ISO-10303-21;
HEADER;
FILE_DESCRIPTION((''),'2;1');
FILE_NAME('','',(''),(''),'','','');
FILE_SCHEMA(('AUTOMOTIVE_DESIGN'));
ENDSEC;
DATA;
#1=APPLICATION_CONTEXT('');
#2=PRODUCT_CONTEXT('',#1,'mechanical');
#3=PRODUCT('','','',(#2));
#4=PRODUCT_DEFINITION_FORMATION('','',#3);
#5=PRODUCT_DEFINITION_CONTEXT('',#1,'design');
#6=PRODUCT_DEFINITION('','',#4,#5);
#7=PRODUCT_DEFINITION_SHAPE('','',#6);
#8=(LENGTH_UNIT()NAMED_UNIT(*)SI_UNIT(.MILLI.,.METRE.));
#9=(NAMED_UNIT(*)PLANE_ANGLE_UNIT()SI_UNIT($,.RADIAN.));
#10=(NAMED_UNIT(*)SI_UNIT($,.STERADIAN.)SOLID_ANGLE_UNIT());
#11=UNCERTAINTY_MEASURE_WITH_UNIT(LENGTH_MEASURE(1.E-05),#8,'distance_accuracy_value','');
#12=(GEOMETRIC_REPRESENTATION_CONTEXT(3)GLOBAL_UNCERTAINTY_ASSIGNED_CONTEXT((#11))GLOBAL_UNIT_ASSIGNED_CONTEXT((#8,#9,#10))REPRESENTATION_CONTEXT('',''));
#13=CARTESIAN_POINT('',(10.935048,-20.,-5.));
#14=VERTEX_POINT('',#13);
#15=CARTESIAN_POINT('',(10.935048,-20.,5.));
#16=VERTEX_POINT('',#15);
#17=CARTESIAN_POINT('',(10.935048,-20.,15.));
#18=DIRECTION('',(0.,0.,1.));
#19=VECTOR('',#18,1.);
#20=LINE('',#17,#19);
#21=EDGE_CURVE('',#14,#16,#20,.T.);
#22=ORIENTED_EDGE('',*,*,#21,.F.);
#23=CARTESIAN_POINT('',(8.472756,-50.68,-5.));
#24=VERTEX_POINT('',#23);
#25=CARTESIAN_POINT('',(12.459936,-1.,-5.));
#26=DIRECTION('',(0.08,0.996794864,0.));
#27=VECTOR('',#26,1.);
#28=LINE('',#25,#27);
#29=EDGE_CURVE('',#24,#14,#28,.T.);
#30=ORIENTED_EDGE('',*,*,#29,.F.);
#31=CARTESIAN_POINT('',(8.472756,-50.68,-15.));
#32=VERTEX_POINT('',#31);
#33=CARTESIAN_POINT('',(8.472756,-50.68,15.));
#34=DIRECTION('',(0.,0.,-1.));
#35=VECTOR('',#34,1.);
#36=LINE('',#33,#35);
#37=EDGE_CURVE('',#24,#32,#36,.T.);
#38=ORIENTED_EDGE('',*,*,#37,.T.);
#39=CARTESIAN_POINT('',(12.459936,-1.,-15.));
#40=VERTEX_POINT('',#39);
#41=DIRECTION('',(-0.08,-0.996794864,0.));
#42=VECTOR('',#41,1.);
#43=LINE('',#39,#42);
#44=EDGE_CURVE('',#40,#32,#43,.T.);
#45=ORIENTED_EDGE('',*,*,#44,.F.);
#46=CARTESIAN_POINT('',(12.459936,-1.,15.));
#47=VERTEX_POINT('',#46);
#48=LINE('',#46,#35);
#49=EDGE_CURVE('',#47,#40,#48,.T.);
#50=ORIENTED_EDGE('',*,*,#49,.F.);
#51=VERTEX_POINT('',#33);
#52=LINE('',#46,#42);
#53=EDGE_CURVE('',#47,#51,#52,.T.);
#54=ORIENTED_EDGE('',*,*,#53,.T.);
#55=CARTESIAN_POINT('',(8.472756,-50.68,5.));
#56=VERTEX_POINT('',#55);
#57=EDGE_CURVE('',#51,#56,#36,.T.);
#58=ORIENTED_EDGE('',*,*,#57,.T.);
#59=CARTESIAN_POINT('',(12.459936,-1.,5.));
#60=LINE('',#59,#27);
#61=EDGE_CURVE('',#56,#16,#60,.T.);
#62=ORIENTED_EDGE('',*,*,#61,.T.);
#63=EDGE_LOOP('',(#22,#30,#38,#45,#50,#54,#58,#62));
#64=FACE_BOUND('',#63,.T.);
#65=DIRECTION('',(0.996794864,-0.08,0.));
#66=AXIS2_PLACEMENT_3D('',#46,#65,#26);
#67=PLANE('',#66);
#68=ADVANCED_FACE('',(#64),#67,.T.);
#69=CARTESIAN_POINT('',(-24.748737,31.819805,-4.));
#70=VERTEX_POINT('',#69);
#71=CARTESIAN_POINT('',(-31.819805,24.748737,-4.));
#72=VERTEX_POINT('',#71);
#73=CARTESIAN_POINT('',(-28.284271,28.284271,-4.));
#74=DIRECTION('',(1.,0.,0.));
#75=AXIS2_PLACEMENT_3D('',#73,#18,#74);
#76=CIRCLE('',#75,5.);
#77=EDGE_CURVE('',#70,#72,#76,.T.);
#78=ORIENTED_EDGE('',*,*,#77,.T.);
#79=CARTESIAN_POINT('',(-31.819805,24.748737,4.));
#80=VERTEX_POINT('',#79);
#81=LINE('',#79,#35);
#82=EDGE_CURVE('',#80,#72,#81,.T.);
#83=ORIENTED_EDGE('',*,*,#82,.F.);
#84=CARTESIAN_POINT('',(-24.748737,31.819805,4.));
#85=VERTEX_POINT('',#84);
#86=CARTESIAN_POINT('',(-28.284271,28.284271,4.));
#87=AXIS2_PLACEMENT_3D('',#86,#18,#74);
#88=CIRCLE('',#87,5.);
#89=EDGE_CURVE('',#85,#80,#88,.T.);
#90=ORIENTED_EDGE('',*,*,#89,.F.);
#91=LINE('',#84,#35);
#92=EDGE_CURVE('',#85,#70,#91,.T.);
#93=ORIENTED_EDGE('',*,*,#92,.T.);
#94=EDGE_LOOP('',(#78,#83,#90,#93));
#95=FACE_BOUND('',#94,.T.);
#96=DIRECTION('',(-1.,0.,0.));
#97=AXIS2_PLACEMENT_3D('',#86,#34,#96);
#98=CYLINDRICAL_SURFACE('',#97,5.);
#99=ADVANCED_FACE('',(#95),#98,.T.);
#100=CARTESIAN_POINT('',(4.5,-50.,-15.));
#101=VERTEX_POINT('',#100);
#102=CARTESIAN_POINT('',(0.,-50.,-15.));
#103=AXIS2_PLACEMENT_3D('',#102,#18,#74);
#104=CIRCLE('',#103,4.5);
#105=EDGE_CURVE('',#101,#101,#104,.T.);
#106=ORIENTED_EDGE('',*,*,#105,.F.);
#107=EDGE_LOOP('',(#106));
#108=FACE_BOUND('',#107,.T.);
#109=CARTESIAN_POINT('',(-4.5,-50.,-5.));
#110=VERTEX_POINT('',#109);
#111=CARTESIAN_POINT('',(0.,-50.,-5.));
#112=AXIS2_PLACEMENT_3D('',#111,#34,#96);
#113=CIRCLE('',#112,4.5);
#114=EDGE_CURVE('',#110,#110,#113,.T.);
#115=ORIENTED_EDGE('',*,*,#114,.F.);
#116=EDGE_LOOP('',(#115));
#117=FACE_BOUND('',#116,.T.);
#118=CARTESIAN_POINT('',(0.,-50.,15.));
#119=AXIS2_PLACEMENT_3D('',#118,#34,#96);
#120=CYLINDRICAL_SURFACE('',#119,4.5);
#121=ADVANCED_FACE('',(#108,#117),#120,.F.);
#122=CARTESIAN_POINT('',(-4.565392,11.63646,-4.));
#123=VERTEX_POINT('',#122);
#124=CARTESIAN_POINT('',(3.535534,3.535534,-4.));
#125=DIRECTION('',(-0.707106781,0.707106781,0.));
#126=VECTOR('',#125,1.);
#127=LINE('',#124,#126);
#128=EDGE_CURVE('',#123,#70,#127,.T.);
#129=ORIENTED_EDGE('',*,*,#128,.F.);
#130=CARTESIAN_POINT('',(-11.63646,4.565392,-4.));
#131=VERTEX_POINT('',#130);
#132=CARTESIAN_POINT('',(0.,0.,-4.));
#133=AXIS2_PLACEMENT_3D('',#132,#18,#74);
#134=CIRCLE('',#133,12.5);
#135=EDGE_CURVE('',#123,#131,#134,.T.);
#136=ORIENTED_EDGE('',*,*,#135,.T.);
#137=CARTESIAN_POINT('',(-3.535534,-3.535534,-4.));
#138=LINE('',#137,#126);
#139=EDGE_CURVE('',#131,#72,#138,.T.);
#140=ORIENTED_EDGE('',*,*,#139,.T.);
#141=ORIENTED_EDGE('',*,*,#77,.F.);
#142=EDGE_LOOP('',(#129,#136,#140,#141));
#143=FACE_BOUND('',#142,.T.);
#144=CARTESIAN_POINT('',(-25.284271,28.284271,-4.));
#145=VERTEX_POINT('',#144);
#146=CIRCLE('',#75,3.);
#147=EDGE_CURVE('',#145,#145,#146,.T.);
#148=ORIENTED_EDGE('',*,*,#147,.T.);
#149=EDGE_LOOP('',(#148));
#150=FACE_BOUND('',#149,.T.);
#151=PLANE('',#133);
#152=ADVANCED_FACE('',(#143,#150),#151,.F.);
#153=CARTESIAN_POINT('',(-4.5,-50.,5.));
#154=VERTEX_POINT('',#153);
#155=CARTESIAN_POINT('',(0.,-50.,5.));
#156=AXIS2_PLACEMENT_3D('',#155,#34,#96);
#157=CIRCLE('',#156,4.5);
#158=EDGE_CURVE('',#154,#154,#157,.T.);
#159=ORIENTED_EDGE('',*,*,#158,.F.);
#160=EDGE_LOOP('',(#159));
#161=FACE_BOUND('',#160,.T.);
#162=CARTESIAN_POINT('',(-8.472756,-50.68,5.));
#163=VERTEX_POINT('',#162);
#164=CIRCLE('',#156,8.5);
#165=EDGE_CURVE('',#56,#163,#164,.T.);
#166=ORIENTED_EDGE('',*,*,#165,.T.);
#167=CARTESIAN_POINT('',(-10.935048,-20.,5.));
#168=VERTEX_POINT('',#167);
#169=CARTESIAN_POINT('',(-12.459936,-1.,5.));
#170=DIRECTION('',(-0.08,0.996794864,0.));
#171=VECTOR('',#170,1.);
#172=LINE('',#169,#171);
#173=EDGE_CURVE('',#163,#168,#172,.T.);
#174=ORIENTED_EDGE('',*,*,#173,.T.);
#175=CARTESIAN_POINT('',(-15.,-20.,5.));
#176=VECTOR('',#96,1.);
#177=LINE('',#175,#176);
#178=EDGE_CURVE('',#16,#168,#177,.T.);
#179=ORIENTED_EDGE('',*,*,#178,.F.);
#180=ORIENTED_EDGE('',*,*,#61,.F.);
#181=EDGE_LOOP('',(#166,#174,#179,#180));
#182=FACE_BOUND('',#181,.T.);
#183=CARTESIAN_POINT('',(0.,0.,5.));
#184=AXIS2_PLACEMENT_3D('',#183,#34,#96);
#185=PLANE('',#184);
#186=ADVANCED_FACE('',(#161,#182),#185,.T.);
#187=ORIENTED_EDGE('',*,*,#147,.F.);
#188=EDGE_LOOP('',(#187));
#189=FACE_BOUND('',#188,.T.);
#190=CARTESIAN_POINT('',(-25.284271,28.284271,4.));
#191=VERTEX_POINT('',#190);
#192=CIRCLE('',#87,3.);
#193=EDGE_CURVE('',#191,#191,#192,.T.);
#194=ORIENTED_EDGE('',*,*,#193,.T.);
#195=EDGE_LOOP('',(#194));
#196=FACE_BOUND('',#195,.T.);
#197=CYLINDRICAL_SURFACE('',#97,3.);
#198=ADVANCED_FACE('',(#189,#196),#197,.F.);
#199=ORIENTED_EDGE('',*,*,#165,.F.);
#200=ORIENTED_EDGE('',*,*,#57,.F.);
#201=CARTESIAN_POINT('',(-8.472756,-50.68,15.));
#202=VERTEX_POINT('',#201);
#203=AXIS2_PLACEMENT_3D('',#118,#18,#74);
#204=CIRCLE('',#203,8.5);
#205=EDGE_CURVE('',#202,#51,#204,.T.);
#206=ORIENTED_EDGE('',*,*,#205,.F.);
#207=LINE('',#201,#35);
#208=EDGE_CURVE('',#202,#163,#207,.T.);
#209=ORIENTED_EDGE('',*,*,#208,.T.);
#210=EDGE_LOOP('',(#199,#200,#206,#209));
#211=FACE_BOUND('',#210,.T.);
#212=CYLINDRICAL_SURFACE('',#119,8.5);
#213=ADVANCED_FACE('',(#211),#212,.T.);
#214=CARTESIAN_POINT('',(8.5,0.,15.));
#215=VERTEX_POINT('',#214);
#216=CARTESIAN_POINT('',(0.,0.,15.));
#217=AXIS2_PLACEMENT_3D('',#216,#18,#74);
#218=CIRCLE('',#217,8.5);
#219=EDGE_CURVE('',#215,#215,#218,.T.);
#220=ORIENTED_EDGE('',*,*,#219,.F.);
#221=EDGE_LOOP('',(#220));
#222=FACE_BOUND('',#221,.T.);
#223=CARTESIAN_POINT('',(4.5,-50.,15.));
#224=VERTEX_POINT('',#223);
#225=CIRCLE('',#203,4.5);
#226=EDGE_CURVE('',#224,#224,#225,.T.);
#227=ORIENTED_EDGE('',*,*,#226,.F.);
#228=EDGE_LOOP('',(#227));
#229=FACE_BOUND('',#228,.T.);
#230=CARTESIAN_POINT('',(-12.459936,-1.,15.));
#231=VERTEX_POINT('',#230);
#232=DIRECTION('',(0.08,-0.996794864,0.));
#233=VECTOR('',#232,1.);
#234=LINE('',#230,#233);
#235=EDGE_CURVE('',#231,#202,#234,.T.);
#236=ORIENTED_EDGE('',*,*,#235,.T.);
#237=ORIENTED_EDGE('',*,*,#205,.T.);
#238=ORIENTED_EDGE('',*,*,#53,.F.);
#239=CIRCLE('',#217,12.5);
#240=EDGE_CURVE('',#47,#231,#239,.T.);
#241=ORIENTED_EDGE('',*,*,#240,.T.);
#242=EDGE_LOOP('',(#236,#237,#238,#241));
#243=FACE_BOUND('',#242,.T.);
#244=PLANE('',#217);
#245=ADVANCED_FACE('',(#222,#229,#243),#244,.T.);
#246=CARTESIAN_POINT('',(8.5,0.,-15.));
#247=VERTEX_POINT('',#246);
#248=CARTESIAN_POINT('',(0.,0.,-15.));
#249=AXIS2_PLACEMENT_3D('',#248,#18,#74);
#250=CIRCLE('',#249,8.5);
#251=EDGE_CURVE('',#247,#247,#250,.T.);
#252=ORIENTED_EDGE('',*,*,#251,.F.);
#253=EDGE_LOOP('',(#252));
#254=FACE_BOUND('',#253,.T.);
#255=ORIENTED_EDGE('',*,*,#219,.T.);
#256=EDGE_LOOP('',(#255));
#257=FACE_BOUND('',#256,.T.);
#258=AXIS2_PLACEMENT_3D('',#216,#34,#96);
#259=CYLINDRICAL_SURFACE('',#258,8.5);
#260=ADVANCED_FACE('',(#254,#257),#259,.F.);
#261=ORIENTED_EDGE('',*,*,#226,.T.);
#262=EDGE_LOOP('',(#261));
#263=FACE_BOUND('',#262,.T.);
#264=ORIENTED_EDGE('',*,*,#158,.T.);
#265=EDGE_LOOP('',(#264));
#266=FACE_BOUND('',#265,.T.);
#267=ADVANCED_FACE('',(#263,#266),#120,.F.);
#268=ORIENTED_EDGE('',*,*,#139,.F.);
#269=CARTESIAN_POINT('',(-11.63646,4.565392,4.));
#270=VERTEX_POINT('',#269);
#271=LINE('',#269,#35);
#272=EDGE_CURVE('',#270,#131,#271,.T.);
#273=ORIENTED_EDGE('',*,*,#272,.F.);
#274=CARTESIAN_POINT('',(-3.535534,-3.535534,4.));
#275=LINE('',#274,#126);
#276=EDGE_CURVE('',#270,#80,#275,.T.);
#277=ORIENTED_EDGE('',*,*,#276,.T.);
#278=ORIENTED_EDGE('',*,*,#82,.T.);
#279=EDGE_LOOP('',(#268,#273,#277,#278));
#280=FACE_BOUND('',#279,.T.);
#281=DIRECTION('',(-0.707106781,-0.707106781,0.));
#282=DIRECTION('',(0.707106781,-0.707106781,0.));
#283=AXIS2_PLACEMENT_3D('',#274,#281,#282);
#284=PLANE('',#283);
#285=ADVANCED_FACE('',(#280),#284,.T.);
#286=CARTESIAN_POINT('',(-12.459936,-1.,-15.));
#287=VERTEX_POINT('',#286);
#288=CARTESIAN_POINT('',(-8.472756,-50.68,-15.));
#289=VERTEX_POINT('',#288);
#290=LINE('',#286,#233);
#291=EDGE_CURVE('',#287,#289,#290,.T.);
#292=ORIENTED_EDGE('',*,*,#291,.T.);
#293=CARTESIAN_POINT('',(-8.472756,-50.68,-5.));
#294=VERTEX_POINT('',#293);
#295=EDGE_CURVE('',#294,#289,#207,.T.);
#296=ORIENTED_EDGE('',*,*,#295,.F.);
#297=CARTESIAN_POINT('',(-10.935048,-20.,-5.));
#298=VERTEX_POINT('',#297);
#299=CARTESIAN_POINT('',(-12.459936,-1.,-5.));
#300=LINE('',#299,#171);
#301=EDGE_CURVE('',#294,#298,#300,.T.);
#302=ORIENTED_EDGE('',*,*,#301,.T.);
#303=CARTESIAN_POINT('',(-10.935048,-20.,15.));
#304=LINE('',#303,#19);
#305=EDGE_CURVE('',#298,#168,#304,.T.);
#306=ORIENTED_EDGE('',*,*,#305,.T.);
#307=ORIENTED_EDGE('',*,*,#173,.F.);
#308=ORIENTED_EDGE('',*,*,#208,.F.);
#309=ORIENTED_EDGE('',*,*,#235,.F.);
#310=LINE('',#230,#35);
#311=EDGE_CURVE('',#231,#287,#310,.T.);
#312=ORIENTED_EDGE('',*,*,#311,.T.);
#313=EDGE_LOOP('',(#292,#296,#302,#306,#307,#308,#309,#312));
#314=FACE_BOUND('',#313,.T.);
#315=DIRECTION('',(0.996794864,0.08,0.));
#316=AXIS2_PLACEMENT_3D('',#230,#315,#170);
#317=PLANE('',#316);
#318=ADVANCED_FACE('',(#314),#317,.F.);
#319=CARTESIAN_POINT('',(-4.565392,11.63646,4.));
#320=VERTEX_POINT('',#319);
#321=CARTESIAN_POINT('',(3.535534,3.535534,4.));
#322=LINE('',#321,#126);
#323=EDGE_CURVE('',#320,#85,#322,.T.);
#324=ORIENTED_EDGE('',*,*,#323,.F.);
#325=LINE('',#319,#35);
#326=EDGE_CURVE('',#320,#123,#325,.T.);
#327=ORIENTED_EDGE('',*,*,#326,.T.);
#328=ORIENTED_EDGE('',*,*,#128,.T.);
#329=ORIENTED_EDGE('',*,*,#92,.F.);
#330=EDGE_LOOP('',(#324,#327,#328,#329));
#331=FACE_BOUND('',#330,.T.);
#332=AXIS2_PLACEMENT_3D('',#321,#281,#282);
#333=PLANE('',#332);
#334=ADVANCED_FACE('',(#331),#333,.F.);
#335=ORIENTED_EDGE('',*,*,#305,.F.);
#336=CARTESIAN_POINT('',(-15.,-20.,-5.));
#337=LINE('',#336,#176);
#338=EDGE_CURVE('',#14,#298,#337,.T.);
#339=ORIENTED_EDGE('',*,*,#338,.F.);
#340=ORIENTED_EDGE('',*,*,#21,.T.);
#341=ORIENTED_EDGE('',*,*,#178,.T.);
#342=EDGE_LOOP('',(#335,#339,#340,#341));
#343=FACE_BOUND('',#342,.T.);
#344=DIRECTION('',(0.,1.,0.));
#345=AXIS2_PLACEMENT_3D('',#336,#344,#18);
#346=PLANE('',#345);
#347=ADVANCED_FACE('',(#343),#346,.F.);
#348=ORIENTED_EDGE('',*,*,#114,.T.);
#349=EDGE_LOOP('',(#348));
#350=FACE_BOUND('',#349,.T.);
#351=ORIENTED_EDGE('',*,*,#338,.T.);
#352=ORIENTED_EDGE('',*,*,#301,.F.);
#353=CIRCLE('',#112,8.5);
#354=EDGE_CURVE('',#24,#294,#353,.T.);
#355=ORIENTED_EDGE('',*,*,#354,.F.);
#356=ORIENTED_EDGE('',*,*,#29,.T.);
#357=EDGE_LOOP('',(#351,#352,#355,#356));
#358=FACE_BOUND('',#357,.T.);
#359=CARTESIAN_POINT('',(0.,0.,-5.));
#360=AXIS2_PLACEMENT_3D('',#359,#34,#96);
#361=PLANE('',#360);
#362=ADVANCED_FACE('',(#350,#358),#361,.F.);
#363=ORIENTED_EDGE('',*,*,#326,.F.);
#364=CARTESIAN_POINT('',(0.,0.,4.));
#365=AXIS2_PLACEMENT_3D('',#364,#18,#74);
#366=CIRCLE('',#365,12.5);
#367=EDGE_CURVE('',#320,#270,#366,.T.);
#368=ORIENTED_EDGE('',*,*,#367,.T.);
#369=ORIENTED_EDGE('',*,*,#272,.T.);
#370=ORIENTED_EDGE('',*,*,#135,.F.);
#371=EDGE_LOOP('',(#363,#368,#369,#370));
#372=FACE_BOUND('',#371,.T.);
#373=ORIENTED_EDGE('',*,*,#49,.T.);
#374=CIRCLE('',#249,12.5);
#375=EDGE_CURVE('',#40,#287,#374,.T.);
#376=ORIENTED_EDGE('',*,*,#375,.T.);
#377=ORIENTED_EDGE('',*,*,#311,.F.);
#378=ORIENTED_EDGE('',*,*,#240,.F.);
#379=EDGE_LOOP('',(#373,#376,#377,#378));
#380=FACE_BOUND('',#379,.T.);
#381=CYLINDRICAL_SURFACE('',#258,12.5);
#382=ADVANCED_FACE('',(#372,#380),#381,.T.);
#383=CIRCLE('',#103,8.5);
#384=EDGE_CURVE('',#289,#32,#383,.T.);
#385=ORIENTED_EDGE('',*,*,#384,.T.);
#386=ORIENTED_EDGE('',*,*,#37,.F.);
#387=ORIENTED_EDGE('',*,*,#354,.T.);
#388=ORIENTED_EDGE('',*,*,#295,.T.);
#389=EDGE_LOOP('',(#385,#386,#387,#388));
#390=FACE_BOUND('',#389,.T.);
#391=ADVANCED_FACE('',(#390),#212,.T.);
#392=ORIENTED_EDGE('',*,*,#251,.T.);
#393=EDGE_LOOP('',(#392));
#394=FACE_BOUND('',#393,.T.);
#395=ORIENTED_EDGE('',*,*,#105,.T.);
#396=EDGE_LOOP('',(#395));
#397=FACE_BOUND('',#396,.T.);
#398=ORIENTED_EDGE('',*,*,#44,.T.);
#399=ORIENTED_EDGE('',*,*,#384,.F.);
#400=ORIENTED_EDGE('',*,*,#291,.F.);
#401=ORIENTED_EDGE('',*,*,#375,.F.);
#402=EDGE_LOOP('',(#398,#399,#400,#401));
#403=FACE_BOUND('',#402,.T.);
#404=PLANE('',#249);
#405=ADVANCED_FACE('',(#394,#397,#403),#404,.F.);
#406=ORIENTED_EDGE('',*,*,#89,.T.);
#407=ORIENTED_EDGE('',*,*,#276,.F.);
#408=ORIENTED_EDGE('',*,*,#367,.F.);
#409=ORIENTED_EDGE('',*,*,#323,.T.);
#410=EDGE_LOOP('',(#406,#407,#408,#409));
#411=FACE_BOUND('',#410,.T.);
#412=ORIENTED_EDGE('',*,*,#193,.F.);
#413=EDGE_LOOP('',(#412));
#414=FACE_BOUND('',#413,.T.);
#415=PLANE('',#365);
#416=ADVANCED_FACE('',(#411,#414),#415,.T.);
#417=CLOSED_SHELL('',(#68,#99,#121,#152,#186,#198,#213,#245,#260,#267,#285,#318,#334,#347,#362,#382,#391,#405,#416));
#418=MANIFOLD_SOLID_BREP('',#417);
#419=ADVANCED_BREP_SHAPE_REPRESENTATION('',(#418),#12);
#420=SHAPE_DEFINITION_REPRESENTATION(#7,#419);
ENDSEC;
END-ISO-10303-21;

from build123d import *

# Parameters (mm, degrees)
SKETCH_1_R          = 8.5
SKETCH_1_R_2        = 4.5
EXTRUDE_1_DEPTH     = 15
SKETCH_2_W          = 30
SKETCH_2_H          = 60
CUT_EXTRUDE_1_DEPTH = 5
SKETCH_3_R          = 3
EXTRUDE_2_DEPTH     = 4


with BuildPart() as part:
    # Эскиз1 → Бобышка-Вытянуть1 (new, symmetric)
    with BuildSketch(Plane.XY):
        with BuildLine():
            ThreePointArc((12.459935794, -1), (0, 12.5), (-12.459935794, -1))
            Line((-12.459935794, -1), (-8.47275634, -50.68))
            ThreePointArc((-8.47275634, -50.68), (0, -58.5), (8.47275634, -50.68))
            Line((8.47275634, -50.68), (12.459935794, -1))
        make_face()
        Circle(SKETCH_1_R, mode=Mode.SUBTRACT)
        with Locations((0, -50)):
            Circle(SKETCH_1_R_2, mode=Mode.SUBTRACT)
    extrude(amount=EXTRUDE_1_DEPTH, both=True)

    # Эскиз2 → Вырез-Вытянуть1 (cut, symmetric)
    with BuildSketch(Plane.XY):
        with Locations((0, -50)):
            Rectangle(SKETCH_2_W, SKETCH_2_H)
    extrude(amount=CUT_EXTRUDE_1_DEPTH, both=True, mode=Mode.SUBTRACT)

    # Эскиз3 → Бобышка-Вытянуть2 (add, symmetric)
    with BuildSketch(Plane.XY):
        with BuildLine():
            Line((-31.819805153, 24.748737342), (-11.636459779, 4.565391967))
            ThreePointArc((-11.636459779, 4.565391967), (-8.838834765, 8.838834765), (-4.565391967, 11.636459779))
            Line((-4.565391967, 11.636459779), (-24.748737342, 31.819805153))
            ThreePointArc((-24.748737342, 31.819805153), (-31.819805153, 31.819805153), (-31.819805153, 24.748737342))
        make_face()
        with Locations((-28.284271247, 28.284271247)):
            Circle(SKETCH_3_R, mode=Mode.SUBTRACT)
    extrude(amount=EXTRUDE_2_DEPTH, both=True)


solid = part.part
